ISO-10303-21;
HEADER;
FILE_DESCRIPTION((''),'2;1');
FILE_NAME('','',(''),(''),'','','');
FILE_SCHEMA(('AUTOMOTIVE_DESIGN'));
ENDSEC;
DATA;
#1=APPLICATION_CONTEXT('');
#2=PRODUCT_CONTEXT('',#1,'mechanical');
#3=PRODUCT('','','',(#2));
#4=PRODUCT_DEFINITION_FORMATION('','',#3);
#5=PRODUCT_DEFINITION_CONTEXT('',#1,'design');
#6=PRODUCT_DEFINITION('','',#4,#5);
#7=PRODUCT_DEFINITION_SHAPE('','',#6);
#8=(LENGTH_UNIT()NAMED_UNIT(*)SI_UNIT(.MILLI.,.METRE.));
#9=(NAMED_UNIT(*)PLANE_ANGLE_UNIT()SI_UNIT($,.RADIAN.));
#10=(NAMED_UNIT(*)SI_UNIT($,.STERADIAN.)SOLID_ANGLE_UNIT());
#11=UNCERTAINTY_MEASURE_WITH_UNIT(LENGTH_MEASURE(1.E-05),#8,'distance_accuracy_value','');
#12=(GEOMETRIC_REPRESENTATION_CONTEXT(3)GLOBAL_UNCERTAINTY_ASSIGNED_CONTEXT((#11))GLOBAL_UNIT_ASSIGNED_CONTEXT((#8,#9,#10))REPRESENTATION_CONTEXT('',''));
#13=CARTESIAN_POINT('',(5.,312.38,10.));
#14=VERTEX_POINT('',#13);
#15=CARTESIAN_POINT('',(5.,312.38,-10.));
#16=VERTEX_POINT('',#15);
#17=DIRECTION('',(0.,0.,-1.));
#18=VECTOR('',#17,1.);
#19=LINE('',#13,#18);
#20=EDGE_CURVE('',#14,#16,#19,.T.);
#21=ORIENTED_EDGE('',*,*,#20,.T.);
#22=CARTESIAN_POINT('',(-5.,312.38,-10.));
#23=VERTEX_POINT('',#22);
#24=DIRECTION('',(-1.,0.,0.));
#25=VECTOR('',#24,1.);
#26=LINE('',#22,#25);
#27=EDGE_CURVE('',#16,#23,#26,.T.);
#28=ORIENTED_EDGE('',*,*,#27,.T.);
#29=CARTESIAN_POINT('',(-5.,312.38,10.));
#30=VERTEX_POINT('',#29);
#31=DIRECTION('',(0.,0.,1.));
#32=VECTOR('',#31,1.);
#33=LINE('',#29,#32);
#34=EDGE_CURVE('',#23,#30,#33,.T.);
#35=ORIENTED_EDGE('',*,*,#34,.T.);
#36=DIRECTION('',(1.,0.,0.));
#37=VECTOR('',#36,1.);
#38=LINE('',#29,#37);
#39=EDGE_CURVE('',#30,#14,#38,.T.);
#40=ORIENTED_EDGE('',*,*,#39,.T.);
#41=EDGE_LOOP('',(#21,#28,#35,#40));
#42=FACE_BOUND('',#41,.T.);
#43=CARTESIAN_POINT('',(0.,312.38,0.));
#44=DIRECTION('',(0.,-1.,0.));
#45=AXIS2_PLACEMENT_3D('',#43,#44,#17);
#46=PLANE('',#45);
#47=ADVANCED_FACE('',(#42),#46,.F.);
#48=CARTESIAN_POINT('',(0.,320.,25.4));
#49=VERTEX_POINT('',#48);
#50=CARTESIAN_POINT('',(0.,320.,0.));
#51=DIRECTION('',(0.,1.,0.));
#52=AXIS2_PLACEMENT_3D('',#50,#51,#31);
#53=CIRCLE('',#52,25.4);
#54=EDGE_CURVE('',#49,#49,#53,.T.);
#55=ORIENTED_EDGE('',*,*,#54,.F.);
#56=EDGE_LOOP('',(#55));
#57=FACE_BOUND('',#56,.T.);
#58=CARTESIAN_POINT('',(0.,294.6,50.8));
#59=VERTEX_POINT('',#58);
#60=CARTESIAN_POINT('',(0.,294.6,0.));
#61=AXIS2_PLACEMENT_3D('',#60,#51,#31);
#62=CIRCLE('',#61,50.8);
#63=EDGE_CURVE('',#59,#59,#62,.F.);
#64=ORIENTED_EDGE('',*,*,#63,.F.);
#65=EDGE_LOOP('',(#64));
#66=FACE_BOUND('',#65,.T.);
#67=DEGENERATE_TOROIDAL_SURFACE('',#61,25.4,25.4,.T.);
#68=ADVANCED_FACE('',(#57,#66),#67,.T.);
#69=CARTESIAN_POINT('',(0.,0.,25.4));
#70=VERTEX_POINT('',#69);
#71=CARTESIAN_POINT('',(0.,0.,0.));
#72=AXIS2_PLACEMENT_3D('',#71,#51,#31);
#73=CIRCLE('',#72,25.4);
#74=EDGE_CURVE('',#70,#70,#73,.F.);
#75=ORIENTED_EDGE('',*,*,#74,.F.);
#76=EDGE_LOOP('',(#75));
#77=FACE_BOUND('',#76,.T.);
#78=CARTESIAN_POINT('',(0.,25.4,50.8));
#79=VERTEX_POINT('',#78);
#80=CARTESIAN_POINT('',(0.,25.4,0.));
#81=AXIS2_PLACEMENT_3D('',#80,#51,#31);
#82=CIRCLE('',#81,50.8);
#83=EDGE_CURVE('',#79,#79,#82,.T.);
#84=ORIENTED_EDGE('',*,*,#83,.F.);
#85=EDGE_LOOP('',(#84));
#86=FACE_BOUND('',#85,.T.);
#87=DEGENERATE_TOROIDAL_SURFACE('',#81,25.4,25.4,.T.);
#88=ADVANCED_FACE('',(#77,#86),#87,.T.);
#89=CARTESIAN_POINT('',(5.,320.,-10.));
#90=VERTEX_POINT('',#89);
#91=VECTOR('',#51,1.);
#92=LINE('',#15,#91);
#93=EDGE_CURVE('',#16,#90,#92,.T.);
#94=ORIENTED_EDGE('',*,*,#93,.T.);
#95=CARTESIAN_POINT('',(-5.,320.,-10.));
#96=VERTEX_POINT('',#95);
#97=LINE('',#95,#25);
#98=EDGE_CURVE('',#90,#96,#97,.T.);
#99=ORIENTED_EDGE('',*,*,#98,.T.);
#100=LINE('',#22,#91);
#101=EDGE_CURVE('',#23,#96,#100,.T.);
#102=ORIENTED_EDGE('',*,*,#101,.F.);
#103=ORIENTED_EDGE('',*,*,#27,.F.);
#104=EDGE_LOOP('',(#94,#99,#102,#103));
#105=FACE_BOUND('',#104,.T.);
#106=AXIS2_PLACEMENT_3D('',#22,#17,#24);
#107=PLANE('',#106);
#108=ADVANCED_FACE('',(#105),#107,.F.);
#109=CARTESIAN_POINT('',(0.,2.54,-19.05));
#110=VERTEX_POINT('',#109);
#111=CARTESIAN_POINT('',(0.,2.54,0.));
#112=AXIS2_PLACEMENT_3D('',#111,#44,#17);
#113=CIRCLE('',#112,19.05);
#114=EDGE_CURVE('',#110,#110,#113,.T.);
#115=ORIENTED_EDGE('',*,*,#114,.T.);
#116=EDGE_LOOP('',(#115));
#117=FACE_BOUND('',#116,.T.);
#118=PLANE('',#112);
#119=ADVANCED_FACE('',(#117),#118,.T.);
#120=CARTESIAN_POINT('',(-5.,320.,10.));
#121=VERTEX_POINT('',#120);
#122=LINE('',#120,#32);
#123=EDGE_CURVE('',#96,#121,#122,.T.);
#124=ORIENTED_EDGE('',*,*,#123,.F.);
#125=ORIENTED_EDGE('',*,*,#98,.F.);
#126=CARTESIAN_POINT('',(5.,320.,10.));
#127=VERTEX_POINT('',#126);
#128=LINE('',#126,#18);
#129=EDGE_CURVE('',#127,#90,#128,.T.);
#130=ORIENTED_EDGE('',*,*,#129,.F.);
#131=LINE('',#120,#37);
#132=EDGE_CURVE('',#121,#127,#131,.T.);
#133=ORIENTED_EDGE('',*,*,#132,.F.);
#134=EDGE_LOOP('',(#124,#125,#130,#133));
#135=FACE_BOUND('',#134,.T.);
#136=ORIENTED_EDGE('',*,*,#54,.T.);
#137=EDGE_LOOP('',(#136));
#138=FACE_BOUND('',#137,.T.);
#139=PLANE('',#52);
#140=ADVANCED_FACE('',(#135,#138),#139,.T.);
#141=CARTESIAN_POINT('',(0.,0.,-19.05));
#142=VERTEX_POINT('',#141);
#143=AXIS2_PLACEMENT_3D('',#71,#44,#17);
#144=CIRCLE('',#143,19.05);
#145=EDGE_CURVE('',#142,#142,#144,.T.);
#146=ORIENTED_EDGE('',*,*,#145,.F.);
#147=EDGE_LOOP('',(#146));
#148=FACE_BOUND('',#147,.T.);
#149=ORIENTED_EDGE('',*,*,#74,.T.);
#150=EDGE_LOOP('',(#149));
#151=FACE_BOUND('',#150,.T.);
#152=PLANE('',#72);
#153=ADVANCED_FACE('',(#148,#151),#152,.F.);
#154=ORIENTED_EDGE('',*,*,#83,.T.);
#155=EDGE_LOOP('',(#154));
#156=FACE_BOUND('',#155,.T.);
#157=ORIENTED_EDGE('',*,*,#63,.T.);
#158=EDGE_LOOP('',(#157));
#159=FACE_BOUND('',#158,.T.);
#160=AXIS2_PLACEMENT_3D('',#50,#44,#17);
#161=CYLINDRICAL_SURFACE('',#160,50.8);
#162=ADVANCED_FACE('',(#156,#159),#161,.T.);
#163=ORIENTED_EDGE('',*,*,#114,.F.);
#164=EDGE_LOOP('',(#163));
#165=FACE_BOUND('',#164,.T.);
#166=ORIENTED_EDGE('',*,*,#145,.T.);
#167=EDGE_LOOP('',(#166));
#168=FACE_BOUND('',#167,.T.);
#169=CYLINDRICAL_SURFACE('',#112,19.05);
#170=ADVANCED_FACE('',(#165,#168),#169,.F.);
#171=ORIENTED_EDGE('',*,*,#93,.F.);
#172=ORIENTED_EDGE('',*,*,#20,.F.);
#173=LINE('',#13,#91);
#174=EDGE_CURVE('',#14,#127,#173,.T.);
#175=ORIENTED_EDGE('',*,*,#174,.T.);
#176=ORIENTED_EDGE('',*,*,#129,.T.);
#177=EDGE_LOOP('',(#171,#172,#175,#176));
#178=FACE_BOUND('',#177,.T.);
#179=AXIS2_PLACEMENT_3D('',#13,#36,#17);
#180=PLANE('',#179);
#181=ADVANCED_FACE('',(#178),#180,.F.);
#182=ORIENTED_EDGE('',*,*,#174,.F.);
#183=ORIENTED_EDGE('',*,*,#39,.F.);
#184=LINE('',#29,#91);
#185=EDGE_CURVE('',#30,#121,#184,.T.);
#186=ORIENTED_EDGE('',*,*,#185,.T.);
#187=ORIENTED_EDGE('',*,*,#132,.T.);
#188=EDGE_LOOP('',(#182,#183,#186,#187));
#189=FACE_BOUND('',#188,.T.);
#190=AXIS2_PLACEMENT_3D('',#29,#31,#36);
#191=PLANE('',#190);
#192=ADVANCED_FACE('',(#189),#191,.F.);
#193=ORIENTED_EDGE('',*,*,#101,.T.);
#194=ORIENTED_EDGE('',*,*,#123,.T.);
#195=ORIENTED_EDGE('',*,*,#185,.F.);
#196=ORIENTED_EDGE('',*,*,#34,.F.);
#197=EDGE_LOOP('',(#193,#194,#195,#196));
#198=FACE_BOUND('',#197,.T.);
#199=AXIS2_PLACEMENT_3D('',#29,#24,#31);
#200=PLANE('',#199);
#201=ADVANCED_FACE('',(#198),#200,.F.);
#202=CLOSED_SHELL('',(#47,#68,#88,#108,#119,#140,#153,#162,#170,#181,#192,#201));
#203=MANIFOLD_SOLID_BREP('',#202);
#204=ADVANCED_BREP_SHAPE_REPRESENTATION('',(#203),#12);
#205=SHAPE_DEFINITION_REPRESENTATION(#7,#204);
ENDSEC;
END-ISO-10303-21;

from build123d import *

# Parameters (mm, degrees)
SKETCH1_R          = 50.8
EXTRUDE1_DEPTH     = 320
FILLET1_R          = 25.4
SKETCH3_W          = 10
SKETCH3_H          = 20
CUT_EXTRUDE1_DEPTH = 7.62
SKETCH4_R          = 19.05
CUT_EXTRUDE2_DEPTH = 2.54


with BuildPart() as part:
    # Sketch1 → Extrude1 (new body)
    with BuildSketch(Plane(origin=(0, 0, 0), x_dir=(1, 0, 0), z_dir=(0, 1, 0))):
        with Locations(Location((0, 0, 0), (0, 0, 270))):
            Circle(SKETCH1_R)
    extrude(amount=EXTRUDE1_DEPTH)

    # Fillet1
    fillet1_edges = [part.edges().sort_by_distance(p)[0] for p in [
        (0, 0, -50.8),
        (0, 320, -50.8),
    ]]
    fillet(fillet1_edges, radius=FILLET1_R)

    # Sketch3 → Cut-Extrude1 (cut)
    with BuildSketch(Plane(origin=(0, 320, 0), x_dir=(1, 0, 0), z_dir=(0, 1, 0))):
        Rectangle(SKETCH3_W, SKETCH3_H)
    extrude(amount=-CUT_EXTRUDE1_DEPTH, mode=Mode.SUBTRACT)

    # Sketch4 → Cut-Extrude2 (cut)
    with BuildSketch(Plane.XZ):
        with Locations(Location((0, 0, 0), (0, 0, 270))):
            Circle(SKETCH4_R)
    extrude(amount=-CUT_EXTRUDE2_DEPTH, mode=Mode.SUBTRACT)


solid = part.part
